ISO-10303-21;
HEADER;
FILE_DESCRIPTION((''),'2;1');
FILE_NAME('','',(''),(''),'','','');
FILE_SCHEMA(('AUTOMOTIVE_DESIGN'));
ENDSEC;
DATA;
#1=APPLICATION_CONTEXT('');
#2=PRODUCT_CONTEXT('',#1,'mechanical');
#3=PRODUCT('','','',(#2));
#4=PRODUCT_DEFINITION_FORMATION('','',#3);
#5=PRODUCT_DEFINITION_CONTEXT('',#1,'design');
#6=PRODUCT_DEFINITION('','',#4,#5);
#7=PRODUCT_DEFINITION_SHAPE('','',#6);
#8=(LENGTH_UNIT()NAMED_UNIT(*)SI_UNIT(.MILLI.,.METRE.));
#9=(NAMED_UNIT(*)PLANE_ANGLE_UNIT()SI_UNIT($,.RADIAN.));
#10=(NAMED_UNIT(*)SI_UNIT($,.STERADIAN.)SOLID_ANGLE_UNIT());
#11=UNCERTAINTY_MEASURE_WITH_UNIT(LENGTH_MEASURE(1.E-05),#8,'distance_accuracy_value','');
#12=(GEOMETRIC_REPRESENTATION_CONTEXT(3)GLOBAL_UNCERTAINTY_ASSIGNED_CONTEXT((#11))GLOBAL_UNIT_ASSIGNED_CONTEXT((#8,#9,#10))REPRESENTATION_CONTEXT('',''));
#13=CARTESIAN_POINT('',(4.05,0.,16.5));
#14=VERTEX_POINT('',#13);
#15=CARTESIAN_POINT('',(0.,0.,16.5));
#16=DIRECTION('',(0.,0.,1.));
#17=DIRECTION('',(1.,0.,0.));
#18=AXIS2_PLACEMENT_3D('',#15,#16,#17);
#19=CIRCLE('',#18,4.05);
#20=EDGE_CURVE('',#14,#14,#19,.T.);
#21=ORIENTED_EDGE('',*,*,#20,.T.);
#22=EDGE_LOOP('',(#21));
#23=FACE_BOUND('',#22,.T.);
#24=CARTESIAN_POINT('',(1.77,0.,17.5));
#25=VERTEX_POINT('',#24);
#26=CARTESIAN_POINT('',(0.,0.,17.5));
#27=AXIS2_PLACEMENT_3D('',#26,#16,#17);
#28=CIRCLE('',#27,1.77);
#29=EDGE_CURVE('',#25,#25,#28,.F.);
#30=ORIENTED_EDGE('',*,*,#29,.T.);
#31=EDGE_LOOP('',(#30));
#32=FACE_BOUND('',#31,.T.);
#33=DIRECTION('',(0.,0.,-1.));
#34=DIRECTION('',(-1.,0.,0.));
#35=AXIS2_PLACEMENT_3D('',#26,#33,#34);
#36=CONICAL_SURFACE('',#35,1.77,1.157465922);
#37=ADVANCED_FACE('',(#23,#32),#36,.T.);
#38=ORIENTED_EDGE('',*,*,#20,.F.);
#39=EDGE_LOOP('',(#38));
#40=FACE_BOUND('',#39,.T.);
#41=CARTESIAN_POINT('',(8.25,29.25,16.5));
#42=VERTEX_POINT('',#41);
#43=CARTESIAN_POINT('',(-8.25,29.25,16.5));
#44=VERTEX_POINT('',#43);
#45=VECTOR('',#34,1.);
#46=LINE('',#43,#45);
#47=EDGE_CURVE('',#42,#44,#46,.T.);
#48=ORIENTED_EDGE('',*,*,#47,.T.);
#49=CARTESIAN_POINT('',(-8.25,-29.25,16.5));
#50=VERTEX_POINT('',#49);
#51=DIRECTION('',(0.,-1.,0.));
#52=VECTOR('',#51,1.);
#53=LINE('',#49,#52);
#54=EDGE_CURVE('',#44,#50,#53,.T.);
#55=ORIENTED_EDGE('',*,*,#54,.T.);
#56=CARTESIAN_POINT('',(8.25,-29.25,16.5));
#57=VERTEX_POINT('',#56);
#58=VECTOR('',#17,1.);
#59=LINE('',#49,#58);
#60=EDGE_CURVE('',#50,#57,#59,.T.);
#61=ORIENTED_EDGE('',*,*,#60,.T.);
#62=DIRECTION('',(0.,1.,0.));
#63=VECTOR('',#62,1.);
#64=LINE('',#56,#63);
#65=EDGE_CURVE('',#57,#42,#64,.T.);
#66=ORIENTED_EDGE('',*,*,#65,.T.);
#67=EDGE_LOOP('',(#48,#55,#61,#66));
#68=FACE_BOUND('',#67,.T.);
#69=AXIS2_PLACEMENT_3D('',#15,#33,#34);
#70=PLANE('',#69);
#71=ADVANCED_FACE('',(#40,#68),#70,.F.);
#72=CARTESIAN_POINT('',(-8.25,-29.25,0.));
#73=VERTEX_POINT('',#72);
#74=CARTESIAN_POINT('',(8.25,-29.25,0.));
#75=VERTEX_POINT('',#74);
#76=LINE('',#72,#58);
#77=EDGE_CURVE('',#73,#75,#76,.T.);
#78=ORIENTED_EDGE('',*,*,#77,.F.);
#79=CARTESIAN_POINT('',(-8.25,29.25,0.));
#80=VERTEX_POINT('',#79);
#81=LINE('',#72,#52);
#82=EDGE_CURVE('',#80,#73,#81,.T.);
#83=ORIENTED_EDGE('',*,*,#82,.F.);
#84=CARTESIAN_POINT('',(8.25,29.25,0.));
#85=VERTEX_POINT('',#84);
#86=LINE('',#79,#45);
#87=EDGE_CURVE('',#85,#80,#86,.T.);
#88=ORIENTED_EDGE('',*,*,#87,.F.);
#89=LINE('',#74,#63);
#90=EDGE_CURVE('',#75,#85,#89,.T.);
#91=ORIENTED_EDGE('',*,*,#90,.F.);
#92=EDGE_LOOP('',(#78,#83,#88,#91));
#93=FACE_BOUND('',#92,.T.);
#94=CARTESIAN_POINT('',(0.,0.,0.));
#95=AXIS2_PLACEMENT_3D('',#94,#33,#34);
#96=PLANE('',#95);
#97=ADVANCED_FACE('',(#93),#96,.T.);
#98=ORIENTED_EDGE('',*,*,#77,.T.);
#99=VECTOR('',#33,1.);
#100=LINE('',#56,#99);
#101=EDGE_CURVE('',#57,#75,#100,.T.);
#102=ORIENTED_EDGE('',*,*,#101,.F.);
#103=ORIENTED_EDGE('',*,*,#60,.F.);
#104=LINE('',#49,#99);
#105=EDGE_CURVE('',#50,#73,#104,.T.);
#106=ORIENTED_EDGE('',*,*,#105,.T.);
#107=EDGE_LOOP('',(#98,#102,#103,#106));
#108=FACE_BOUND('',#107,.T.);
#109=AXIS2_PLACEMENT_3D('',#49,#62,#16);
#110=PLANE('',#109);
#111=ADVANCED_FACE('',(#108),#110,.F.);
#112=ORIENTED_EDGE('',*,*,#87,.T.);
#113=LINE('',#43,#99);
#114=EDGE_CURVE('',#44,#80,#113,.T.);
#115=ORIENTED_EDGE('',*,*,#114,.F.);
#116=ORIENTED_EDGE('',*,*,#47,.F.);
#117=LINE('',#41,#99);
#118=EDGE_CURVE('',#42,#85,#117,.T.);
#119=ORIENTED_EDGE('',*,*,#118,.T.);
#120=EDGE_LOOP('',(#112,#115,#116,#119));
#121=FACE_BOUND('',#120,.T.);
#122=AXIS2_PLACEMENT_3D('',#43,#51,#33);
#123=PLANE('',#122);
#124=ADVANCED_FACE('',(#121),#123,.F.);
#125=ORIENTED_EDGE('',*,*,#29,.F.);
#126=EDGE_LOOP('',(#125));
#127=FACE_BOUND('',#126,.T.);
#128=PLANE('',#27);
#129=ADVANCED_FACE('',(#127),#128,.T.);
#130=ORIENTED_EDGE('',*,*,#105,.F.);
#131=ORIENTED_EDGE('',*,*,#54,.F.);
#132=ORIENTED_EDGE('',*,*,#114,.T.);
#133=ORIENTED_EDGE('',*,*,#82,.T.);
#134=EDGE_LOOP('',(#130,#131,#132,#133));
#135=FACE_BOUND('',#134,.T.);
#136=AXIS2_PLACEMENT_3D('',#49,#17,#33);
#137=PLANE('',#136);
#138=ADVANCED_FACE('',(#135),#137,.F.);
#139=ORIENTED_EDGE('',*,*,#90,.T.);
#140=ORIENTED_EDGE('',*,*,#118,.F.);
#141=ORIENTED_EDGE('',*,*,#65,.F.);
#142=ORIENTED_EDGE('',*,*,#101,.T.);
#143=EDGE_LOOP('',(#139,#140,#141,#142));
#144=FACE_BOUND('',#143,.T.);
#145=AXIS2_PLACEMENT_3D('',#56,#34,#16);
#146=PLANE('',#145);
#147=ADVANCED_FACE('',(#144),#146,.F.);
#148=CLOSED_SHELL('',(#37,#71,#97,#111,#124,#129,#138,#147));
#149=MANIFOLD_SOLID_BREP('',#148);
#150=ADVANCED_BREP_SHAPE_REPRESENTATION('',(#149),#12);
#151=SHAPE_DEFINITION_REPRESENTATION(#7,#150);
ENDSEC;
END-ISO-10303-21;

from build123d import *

# Parameters (mm, degrees)
SKETCH1_W           = 16.5
SKETCH1_H           = 58.5
BOSS_EXTRUDE1_DEPTH = 16.5
SKETCH4_R           = 1.77
BOSS_EXTRUDE6_DEPTH = 1
SKETCH4_16_R        = 4.05


with BuildPart() as part:
    # Sketch1 → Boss-Extrude1 (new body)
    with BuildSketch(Plane.XY):
        Rectangle(SKETCH1_W, SKETCH1_H)
    extrude(amount=BOSS_EXTRUDE1_DEPTH)

    # Sketch4 → Boss-Extrude6 (add)
    with BuildSketch(Plane.XY.offset(16.5)):
        Circle(SKETCH4_R)
    extrude(amount=BOSS_EXTRUDE6_DEPTH)

    # Sketch4<16> → section 0 of loft3
    with BuildSketch(Plane.XY.offset(16.5), mode=Mode.PRIVATE) as loft3_s0:
        Circle(SKETCH4_16_R)
    # loft up to a face of the part (loft3)
    loft([loft3_s0.sketch, Face(Wire([part.edges().sort_by_distance((-1.211648377, 1.290274471, 17.5))[0]]))])


solid = part.part
